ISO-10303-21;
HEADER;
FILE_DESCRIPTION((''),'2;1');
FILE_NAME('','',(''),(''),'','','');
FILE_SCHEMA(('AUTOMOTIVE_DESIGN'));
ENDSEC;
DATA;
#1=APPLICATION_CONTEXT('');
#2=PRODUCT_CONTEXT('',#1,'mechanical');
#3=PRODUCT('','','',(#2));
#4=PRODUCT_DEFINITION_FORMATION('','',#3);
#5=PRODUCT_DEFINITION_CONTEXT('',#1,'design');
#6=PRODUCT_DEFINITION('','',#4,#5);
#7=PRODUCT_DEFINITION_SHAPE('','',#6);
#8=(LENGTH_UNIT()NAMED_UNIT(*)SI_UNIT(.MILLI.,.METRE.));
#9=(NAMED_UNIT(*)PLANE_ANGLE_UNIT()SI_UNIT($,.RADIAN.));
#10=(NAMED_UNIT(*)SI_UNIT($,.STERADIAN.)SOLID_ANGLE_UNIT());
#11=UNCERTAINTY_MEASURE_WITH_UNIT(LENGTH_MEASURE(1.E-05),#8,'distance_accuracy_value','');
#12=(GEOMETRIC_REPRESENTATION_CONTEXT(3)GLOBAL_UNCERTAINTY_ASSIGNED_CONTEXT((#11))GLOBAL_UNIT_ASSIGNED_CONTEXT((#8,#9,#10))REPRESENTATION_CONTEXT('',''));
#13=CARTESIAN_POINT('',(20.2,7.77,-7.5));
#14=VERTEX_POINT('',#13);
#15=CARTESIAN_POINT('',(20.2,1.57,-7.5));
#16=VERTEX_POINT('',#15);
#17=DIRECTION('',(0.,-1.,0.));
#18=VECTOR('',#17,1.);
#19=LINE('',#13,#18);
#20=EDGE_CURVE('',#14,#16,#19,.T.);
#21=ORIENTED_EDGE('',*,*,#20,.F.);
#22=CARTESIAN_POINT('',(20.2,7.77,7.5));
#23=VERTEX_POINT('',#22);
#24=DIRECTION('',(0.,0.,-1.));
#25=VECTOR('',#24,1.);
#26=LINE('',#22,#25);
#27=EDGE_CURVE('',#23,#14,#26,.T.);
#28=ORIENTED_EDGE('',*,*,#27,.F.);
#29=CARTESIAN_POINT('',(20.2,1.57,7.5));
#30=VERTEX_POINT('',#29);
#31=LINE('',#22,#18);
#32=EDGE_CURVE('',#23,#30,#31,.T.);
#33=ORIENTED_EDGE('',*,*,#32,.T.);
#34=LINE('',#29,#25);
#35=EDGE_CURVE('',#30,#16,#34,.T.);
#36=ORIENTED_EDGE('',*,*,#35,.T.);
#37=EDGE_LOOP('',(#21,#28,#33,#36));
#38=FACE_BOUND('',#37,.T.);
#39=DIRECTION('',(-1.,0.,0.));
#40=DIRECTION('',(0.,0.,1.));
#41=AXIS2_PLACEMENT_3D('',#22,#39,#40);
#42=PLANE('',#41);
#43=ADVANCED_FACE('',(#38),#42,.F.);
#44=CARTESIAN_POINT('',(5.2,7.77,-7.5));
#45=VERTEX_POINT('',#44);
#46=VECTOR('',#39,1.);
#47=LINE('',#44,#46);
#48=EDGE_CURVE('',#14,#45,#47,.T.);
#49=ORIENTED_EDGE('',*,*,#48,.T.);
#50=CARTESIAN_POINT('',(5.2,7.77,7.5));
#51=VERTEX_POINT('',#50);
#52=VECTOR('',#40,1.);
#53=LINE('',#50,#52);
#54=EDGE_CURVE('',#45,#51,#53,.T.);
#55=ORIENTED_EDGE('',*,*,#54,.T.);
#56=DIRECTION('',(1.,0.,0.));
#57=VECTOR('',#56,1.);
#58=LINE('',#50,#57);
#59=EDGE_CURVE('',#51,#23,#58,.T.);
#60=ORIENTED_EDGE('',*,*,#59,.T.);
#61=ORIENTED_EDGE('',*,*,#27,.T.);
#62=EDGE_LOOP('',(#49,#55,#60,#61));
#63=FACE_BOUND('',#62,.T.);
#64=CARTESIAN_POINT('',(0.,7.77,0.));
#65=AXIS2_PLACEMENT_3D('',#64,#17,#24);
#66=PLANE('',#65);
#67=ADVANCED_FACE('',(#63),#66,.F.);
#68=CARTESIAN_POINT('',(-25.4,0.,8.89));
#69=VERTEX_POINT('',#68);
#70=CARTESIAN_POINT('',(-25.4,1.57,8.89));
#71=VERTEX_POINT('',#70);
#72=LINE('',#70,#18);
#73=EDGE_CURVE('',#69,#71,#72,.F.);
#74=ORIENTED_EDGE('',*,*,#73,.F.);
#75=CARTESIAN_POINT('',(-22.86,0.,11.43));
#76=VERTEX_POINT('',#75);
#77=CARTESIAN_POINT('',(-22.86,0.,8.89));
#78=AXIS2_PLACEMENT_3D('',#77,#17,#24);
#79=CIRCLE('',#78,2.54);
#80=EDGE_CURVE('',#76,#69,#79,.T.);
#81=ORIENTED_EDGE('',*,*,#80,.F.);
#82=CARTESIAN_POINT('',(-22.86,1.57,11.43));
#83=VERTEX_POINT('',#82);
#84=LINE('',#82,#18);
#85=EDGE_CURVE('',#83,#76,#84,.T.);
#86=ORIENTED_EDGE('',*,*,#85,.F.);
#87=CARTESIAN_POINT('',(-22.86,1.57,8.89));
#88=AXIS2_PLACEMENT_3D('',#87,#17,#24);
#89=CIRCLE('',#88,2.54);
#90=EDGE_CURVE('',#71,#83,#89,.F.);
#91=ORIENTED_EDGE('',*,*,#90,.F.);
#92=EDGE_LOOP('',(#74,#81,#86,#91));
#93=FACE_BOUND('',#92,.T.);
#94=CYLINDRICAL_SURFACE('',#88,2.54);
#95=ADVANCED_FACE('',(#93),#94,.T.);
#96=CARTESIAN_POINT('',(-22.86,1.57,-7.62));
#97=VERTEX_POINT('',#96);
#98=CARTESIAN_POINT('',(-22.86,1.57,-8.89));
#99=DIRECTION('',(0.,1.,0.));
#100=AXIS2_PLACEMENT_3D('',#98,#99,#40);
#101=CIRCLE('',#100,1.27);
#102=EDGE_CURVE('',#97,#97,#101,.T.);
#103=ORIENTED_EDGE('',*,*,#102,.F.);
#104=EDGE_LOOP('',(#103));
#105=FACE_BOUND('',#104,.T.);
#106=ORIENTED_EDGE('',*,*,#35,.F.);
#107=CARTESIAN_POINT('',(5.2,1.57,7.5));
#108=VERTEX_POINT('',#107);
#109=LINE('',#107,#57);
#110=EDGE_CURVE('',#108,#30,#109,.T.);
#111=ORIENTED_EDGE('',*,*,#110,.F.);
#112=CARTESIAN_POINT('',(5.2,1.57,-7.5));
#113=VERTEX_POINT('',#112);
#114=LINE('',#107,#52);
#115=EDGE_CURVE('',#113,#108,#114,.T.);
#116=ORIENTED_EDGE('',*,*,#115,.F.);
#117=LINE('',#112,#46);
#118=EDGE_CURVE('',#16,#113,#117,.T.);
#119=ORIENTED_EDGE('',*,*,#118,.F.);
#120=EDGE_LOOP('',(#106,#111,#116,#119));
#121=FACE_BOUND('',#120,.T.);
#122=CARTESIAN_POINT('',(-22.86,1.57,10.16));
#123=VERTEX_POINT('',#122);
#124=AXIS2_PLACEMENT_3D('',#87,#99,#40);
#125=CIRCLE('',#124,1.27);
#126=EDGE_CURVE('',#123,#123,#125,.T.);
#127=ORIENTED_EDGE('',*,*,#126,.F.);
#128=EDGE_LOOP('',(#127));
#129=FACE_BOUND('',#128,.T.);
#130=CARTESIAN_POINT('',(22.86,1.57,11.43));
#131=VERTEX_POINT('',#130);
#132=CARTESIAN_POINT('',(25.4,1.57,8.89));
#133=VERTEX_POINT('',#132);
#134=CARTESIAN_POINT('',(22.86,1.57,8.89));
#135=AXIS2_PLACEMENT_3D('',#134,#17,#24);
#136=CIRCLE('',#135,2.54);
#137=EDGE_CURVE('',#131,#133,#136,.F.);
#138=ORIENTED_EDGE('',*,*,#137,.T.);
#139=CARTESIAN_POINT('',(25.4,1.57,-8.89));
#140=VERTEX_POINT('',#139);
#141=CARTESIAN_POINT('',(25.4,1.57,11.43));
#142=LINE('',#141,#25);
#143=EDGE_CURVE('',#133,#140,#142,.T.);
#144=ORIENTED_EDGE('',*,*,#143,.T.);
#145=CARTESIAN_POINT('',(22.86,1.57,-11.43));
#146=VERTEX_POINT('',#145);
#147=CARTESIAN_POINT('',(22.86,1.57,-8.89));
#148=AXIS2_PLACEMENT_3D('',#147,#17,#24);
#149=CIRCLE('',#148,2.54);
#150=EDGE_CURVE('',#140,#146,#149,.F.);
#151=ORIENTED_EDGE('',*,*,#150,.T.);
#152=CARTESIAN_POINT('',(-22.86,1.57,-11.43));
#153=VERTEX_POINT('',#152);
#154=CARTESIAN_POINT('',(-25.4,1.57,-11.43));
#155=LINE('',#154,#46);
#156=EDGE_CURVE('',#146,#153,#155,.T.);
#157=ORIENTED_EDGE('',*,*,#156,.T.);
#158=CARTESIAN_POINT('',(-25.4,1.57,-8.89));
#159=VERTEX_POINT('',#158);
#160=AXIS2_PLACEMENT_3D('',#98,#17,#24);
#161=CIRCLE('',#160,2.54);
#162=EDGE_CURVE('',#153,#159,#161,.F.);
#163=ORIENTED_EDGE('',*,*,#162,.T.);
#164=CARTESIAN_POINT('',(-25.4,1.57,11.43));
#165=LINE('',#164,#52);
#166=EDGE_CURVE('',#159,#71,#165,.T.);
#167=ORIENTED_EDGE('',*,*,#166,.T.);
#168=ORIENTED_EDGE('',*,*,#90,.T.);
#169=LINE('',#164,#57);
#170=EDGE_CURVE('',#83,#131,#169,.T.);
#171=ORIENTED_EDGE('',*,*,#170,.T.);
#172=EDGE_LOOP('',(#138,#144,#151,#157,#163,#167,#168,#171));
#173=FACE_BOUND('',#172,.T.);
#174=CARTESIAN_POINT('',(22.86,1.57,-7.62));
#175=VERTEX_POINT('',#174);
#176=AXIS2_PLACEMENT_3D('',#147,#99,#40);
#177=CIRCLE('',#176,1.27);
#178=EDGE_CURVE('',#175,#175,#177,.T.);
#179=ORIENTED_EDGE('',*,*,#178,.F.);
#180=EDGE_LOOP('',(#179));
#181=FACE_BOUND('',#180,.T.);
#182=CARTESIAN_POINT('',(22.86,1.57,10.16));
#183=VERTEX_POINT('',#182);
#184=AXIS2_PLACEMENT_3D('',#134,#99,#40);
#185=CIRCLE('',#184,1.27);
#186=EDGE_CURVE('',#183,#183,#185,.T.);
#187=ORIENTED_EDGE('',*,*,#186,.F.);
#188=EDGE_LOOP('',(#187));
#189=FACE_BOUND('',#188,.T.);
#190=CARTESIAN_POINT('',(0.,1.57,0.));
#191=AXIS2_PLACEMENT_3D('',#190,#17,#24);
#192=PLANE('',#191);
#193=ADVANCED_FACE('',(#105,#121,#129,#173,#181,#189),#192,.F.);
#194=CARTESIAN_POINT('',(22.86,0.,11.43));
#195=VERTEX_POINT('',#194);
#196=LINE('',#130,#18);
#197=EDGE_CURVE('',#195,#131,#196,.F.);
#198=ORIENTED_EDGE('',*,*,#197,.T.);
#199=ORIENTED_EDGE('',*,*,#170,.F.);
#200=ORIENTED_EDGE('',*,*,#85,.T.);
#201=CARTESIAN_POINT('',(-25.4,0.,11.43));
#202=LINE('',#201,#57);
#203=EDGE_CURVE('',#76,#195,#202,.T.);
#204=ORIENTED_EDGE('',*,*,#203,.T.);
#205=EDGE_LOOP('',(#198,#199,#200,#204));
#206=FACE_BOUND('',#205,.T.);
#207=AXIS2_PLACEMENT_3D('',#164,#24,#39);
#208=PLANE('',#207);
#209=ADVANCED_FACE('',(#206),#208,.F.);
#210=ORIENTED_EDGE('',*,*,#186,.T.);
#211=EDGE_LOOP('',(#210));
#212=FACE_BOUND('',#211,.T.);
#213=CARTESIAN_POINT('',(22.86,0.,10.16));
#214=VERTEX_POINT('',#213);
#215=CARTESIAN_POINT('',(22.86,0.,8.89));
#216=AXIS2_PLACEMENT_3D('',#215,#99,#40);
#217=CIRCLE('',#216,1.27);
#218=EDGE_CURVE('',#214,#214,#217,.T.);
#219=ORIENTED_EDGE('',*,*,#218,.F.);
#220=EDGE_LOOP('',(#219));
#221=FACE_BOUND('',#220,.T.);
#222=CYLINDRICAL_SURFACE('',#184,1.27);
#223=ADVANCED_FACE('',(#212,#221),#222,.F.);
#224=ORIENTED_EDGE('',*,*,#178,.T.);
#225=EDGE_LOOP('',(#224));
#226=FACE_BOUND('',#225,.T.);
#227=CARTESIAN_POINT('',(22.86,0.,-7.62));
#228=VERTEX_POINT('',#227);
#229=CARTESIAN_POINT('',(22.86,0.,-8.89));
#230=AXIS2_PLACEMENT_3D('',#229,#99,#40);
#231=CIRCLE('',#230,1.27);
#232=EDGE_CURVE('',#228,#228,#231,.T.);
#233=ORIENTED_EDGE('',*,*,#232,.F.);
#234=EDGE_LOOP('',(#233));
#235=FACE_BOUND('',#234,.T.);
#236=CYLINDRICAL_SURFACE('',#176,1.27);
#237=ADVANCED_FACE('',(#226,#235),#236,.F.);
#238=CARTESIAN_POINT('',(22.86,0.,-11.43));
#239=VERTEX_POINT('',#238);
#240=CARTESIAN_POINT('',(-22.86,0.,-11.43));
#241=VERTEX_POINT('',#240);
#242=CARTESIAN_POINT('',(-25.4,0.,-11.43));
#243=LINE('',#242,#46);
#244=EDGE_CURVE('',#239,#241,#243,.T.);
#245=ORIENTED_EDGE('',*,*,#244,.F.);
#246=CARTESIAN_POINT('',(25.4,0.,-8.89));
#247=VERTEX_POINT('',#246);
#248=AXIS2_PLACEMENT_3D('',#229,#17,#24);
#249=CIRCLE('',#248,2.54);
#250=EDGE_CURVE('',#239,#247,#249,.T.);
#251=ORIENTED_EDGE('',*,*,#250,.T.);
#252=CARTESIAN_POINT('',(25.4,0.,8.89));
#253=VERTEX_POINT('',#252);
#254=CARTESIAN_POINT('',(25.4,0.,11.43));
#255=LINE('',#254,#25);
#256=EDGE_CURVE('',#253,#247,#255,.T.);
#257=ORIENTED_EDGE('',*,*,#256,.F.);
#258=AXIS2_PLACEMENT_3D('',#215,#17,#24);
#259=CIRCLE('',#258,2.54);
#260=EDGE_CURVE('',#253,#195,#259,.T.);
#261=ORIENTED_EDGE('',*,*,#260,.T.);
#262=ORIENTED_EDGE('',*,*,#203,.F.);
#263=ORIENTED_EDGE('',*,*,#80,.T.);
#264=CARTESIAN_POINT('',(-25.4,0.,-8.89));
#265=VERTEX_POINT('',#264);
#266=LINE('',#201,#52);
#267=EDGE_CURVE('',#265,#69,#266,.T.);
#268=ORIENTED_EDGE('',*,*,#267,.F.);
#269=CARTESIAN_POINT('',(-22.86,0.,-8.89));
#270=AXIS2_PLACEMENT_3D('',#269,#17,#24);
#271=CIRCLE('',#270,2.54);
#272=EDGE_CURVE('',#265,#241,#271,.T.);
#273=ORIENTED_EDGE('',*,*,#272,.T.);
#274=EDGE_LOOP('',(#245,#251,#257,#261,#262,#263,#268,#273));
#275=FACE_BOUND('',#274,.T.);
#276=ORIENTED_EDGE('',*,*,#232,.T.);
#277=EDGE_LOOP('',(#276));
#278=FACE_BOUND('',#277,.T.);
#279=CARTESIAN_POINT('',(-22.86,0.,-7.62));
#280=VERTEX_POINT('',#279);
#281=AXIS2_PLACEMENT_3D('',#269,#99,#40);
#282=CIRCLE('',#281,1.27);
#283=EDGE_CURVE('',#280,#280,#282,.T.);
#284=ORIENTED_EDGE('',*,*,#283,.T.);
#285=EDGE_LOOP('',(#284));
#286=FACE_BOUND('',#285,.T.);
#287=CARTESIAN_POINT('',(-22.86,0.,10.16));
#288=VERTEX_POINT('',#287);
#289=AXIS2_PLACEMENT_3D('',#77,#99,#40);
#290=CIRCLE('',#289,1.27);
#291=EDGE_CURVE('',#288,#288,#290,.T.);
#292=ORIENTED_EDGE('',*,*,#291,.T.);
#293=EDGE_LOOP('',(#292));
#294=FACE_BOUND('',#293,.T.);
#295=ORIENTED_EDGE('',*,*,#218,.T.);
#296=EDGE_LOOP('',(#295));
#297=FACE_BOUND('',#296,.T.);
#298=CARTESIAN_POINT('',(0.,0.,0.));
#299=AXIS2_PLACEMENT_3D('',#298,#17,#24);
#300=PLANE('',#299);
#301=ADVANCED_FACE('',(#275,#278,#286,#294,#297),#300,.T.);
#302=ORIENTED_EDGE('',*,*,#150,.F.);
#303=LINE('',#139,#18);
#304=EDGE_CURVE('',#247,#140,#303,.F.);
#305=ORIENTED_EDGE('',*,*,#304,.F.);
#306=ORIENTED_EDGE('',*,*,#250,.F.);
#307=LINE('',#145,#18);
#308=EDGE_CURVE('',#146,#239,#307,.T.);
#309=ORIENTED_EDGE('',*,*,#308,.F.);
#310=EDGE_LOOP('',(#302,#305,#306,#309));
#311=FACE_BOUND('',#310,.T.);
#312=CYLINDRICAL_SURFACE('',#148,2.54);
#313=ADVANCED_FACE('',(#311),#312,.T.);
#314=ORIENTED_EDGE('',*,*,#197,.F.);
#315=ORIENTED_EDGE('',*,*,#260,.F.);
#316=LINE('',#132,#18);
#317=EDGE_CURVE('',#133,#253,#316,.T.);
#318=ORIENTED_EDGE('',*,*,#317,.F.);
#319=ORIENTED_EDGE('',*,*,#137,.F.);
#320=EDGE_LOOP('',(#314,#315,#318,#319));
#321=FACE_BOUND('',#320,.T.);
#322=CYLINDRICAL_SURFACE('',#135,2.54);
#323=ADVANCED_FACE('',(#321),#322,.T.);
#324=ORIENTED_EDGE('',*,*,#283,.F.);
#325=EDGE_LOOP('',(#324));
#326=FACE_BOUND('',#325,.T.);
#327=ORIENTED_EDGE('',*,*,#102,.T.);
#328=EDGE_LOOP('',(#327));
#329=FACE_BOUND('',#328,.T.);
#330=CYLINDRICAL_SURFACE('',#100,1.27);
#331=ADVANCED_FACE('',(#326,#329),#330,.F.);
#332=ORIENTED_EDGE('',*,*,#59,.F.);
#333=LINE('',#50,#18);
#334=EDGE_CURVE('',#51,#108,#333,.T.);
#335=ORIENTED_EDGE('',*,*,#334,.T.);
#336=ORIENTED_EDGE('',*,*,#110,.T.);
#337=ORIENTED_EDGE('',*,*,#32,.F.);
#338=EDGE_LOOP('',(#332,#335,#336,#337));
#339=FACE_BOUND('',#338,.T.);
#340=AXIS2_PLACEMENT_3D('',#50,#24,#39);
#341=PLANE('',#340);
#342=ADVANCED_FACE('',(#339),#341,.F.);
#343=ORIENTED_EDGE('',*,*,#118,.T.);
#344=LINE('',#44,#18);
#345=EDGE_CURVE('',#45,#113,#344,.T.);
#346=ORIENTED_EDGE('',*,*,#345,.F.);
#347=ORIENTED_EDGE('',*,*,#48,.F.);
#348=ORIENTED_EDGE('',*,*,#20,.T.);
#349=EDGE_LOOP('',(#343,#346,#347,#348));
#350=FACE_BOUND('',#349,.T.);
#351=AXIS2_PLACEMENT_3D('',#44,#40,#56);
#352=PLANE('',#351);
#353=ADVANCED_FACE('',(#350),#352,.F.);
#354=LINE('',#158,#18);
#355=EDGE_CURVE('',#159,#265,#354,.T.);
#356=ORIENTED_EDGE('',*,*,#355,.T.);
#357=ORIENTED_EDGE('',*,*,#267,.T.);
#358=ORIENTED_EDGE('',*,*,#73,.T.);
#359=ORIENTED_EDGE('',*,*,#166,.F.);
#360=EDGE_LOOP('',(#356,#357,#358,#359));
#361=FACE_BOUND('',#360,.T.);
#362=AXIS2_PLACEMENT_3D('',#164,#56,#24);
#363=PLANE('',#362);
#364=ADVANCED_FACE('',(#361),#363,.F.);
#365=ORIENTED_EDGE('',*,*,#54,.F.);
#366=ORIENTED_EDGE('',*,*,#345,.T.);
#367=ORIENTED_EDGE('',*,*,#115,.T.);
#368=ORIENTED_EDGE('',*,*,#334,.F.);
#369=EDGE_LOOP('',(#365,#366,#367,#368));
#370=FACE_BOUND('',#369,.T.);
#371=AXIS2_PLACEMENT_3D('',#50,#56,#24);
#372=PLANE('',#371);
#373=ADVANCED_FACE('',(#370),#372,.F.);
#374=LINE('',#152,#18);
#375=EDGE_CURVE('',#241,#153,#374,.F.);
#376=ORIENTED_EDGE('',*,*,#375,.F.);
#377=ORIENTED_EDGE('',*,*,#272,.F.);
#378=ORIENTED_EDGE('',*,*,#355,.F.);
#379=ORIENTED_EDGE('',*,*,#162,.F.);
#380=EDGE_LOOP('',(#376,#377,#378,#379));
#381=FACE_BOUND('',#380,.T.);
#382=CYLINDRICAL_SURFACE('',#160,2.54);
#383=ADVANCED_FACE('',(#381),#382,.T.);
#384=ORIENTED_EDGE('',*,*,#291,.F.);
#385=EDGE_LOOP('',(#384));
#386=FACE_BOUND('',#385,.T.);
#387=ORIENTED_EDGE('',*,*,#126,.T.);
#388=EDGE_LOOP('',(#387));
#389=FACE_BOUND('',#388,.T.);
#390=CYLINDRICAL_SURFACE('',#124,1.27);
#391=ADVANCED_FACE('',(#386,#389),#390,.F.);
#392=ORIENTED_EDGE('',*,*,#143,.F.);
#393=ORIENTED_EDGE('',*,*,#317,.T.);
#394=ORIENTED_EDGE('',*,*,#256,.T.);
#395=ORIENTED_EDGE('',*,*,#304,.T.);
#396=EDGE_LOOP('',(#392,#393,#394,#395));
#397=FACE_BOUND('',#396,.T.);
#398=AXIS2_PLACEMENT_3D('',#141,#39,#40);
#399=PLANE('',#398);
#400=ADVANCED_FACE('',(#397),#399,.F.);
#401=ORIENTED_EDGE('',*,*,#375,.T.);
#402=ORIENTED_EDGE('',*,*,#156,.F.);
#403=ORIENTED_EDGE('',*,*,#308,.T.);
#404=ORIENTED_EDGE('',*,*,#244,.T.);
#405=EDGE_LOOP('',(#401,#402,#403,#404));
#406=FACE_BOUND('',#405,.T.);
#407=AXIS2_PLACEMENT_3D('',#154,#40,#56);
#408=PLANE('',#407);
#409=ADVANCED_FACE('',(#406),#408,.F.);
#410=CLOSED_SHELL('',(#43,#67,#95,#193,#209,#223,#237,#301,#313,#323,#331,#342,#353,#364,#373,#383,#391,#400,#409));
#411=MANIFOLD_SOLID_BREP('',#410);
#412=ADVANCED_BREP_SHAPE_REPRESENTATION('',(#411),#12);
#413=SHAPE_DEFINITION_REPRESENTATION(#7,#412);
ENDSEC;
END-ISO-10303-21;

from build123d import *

# Parameters (mm, degrees)
SKETCH1_W                = 50.8
SKETCH1_H                = 22.86
BOSS_EXTRUDE1_DEPTH      = 1.57
F_1_16_0_1_DOWEL_HOLE1_D = 2.54
FILLET1_R                = 2.54
SKETCH2_W                = 15
SKETCH2_H                = 15
BOSS_EXTRUDE2_DEPTH      = 6.2


with BuildPart() as part:
    # Sketch1 → Boss-Extrude1 (new body)
    with BuildSketch(Plane(origin=(0, 0, 0), x_dir=(1, 0, 0), z_dir=(0, 1, 0))):
        Rectangle(SKETCH1_W, SKETCH1_H)
    extrude(amount=BOSS_EXTRUDE1_DEPTH)

    # 1/16 (0.1) Dowel Hole1 (through all)
    with Locations(Plane(origin=(-22.86, 1.57, -8.89), x_dir=(0, 0, 1), z_dir=(0, 1, 0))):
        with Locations((0, 0), (0, 45.72), (17.78, 45.72), (17.78, 0)):
            Hole(F_1_16_0_1_DOWEL_HOLE1_D / 2)

    # Fillet1
    fillet1_edges = [part.edges().sort_by_distance(p)[0] for p in [
        (25.4, 0.785, 11.43),
        (-25.4, 0.785, 11.43),
        (-25.4, 0.785, -11.43),
        (25.4, 0.785, -11.43),
    ]]
    fillet(fillet1_edges, radius=FILLET1_R)

    # Sketch2 → Boss-Extrude2 (add)
    with BuildSketch(Plane(origin=(0, 1.57, 0), x_dir=(1, 0, 0), z_dir=(0, 1, 0))):
        with Locations((12.7, 0)):
            Rectangle(SKETCH2_W, SKETCH2_H)
    extrude(amount=BOSS_EXTRUDE2_DEPTH)


solid = part.part
